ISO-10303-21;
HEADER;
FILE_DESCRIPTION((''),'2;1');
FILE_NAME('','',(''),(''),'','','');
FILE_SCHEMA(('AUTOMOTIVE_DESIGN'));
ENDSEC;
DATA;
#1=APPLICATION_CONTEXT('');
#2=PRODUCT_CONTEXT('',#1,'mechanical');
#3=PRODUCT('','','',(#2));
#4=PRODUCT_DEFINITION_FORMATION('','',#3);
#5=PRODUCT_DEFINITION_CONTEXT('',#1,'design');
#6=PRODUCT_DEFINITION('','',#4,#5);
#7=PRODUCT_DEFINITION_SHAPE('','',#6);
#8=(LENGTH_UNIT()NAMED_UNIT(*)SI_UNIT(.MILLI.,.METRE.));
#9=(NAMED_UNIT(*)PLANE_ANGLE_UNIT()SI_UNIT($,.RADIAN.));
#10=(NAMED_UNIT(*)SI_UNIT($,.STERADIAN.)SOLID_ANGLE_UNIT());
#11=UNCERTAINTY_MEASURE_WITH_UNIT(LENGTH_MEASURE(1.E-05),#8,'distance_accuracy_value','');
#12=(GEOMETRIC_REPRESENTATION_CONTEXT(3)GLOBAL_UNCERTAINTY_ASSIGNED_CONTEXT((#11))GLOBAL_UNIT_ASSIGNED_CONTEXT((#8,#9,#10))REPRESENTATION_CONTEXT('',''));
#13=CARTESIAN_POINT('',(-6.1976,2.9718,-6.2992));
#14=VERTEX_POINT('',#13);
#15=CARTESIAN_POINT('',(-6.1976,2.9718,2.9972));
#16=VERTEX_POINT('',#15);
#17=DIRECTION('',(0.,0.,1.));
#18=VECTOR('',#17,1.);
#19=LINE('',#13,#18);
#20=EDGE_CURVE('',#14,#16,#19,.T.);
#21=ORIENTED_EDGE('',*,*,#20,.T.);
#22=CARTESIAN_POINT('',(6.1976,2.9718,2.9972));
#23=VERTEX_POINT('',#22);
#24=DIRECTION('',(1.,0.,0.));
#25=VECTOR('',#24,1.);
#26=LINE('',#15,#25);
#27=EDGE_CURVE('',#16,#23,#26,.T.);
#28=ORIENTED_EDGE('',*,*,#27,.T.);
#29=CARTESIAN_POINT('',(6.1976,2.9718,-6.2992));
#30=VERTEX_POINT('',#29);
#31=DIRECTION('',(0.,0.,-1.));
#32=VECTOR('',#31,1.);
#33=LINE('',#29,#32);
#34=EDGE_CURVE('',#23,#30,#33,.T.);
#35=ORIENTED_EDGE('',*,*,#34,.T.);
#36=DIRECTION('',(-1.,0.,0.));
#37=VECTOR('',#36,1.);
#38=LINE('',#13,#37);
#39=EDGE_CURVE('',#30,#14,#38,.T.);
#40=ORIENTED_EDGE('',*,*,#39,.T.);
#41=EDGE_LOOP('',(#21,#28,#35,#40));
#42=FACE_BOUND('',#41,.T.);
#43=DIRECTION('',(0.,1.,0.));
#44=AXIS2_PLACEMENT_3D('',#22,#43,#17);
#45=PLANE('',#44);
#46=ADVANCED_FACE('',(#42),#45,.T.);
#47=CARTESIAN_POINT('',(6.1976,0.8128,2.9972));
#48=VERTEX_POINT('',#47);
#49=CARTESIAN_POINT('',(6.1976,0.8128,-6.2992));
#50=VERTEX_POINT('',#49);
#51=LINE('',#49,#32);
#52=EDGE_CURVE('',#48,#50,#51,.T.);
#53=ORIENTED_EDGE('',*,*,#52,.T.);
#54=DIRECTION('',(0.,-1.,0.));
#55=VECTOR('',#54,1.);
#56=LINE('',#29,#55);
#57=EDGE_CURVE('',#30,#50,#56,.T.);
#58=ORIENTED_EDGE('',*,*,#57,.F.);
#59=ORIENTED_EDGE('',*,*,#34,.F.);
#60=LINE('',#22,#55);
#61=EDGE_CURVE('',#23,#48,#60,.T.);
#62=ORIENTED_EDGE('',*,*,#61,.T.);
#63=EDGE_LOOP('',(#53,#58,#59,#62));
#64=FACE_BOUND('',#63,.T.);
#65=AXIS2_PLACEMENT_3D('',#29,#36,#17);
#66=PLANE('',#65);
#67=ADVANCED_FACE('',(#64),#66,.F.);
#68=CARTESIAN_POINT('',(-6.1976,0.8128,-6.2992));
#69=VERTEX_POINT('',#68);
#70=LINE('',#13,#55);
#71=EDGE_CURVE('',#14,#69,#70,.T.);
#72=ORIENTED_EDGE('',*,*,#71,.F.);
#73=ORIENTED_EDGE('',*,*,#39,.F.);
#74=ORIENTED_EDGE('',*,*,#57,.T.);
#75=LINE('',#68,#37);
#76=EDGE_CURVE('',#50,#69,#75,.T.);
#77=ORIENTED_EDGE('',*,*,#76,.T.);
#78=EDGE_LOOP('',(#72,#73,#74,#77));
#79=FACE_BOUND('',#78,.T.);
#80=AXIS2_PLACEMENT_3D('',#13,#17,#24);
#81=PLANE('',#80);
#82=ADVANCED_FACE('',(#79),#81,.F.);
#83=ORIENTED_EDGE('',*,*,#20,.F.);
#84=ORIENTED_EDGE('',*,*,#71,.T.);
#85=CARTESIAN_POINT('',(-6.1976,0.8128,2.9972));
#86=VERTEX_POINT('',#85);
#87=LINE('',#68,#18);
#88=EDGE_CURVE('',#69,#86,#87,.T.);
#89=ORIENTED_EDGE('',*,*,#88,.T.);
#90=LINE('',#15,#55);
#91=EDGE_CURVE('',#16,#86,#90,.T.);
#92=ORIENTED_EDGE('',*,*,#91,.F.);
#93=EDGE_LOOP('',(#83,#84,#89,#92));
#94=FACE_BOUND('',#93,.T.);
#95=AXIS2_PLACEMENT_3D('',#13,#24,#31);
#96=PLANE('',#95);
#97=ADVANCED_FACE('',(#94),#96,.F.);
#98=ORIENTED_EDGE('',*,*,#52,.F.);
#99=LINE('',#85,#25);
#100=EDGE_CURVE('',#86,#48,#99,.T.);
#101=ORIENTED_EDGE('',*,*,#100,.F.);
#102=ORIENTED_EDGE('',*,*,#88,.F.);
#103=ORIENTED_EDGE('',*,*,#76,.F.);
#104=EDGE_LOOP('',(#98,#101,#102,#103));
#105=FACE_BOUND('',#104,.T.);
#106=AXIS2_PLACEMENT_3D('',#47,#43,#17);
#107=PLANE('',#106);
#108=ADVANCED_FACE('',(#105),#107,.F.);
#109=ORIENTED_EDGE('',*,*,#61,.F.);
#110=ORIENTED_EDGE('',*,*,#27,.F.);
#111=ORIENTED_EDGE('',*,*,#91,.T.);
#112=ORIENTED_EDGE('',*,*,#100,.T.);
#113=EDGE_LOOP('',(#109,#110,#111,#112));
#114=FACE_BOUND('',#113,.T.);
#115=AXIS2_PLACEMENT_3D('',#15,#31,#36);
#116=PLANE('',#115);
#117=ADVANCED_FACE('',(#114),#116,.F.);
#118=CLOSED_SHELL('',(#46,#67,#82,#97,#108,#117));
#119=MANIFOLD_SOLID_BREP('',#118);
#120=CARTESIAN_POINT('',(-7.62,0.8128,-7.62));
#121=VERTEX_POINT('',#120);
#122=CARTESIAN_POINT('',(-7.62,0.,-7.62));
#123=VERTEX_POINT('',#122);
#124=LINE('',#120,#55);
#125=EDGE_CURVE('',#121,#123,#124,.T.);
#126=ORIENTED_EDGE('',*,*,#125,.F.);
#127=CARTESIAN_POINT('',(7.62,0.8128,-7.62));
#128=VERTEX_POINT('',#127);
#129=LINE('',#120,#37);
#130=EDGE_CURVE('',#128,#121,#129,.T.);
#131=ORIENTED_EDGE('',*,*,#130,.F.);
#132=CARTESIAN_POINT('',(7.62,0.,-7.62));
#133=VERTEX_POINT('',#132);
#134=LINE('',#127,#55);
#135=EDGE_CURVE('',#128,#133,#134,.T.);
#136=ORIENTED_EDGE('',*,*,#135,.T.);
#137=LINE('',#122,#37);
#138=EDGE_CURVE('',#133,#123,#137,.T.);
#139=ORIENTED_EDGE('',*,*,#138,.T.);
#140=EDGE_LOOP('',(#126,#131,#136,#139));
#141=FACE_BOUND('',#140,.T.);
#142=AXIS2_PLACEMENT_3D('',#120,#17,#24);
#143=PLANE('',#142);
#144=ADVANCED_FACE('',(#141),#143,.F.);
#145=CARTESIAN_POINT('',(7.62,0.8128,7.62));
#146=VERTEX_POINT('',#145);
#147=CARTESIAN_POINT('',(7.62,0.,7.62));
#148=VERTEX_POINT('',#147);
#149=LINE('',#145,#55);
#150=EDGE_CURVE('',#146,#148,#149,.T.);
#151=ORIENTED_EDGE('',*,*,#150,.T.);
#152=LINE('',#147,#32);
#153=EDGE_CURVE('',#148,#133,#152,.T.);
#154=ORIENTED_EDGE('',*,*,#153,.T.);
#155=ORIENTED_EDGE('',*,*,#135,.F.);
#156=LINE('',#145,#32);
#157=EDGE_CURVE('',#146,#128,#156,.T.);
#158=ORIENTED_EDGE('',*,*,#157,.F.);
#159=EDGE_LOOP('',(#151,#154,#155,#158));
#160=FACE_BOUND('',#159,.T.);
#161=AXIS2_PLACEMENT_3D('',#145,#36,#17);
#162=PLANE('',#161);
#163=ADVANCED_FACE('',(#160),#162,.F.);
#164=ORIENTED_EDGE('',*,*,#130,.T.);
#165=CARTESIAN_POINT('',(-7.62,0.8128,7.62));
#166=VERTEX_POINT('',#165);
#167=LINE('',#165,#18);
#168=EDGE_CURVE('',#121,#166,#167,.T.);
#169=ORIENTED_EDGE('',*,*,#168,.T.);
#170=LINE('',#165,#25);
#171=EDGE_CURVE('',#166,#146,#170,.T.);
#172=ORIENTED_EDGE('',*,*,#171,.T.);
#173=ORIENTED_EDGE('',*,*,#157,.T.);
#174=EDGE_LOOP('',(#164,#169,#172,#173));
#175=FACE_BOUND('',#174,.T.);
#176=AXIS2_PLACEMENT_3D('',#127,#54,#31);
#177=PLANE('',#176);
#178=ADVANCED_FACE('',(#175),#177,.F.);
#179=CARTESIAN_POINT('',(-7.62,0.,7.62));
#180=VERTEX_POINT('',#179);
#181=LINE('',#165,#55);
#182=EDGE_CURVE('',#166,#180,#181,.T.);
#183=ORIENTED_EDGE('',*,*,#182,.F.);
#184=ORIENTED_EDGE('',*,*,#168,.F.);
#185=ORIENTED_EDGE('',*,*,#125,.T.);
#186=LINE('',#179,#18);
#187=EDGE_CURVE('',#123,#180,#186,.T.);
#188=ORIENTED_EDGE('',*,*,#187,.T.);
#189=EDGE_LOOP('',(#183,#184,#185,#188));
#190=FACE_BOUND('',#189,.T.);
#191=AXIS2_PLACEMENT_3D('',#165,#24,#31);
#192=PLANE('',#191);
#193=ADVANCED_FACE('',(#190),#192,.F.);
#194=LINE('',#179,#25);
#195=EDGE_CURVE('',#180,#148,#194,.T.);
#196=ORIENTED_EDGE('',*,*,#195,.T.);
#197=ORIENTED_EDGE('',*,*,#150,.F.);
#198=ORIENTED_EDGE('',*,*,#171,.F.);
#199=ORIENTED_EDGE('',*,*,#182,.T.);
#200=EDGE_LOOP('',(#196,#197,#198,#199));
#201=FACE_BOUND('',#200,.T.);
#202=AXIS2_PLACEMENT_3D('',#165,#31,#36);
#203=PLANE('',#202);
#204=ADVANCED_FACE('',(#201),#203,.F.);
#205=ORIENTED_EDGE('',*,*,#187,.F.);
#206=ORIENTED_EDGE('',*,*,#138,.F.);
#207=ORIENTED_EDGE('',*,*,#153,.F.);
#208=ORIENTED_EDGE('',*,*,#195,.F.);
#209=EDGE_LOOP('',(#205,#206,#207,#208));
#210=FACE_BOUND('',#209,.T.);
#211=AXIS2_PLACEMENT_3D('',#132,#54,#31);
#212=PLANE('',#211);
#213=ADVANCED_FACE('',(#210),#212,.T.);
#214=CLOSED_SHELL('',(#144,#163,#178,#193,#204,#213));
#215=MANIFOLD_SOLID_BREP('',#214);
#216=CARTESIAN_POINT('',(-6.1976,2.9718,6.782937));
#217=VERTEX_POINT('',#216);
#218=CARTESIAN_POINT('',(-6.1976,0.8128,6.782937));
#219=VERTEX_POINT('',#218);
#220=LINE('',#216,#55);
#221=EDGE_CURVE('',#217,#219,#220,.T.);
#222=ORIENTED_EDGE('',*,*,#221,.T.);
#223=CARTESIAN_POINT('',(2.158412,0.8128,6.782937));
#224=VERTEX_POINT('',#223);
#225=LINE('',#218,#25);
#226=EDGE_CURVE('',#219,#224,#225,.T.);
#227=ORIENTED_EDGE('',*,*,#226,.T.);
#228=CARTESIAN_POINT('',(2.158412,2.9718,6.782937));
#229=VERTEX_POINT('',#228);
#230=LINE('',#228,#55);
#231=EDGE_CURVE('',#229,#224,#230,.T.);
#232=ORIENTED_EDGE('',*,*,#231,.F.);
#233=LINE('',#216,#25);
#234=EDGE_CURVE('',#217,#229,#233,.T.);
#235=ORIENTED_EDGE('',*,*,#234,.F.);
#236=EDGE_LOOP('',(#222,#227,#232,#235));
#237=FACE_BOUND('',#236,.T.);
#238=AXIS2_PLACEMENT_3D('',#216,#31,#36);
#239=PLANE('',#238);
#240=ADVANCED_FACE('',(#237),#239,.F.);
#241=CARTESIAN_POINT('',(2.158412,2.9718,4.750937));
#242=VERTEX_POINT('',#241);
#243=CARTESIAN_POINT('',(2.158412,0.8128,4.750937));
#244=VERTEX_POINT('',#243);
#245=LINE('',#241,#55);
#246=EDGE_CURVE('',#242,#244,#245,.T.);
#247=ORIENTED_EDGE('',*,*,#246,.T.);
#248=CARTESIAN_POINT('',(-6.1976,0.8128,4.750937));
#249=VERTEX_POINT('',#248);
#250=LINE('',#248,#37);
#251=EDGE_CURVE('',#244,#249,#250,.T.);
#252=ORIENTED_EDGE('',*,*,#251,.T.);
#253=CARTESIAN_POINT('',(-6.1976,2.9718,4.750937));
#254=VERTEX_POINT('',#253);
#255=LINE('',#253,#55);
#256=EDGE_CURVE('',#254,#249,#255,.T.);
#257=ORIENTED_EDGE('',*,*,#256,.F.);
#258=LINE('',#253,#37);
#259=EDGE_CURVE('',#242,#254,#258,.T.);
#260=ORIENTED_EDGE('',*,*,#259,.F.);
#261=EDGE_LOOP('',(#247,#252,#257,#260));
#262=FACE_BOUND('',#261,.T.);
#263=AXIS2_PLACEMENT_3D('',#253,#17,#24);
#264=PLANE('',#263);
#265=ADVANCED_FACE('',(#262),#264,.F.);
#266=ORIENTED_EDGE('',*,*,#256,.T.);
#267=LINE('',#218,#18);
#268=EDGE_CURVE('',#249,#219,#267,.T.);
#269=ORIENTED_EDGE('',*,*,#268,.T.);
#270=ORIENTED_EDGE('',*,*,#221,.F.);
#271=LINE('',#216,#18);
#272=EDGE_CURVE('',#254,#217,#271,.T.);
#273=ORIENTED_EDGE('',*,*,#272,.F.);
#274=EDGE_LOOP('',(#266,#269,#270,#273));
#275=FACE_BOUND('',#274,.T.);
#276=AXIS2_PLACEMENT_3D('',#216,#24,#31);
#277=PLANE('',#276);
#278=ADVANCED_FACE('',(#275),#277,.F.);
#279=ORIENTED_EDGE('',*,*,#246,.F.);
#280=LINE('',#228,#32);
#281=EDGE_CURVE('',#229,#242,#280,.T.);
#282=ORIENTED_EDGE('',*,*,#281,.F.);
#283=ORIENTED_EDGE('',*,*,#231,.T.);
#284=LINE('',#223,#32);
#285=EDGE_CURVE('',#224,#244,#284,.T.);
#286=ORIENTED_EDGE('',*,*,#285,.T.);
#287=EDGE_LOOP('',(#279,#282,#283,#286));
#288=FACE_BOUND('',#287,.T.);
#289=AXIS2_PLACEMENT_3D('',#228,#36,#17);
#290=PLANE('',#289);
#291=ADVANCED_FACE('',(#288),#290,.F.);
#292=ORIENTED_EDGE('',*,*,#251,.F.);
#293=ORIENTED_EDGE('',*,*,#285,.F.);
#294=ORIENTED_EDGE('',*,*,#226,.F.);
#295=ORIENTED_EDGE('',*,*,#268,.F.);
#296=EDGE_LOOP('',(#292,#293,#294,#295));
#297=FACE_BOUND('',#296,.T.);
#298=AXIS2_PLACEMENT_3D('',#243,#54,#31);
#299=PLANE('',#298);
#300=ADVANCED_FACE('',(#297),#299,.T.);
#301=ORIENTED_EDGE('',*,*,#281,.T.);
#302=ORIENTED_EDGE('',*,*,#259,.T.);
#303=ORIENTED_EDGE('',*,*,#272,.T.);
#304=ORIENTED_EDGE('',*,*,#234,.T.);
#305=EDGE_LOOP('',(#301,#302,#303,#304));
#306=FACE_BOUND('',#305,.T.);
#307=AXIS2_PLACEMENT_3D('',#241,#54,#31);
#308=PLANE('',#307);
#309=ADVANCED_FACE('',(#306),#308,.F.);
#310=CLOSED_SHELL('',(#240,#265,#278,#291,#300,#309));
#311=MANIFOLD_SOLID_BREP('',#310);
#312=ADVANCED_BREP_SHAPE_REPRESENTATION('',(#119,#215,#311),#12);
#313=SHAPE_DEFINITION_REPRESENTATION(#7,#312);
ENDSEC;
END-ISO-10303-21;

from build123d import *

# Parameters (mm, degrees)
SKETCH1_W             = 15.24
SKETCH1_H             = 15.24
BOSS_EXTRUDE1_DEPTH   = 0.8128
SKETCH2_W             = 12.3952
SKETCH2_H             = 9.2964
BOSS_EXTRUDE2_DEPTH   = 2.159
SKETCH2_W_2           = 8.356011574
SKETCH2_H_2           = 2.032
BOSS_EXTRUDE2_2_DEPTH = 2.159


with BuildPart() as part:
    # Sketch1 → Boss-Extrude1 (new body)
    with BuildSketch(Plane(origin=(0, 0, 0), x_dir=(1, 0, 0), z_dir=(0, 1, 0))):
        Rectangle(SKETCH1_W, SKETCH1_H)
    extrude(amount=BOSS_EXTRUDE1_DEPTH)


with BuildPart() as body_2:
    # Sketch2 → Boss-Extrude2 (new body)
    with BuildSketch(Plane(origin=(0, 0.8128, 0), x_dir=(-1, 0, 0), z_dir=(0, 1, 0))):
        with Locations((0, -1.651)):
            Rectangle(SKETCH2_W, SKETCH2_H)
    extrude(amount=BOSS_EXTRUDE2_DEPTH)


with BuildPart() as body_3:
    # Sketch2 → Boss-Extrude2 2 (new body)
    with BuildSketch(Plane(origin=(0, 0.8128, 0), x_dir=(-1, 0, 0), z_dir=(0, 1, 0))):
        with Locations((2.019594213, 5.766936548)):
            Rectangle(SKETCH2_W_2, SKETCH2_H_2)
    extrude(amount=BOSS_EXTRUDE2_2_DEPTH)


solid = Compound([part.part, body_2.part, body_3.part])
